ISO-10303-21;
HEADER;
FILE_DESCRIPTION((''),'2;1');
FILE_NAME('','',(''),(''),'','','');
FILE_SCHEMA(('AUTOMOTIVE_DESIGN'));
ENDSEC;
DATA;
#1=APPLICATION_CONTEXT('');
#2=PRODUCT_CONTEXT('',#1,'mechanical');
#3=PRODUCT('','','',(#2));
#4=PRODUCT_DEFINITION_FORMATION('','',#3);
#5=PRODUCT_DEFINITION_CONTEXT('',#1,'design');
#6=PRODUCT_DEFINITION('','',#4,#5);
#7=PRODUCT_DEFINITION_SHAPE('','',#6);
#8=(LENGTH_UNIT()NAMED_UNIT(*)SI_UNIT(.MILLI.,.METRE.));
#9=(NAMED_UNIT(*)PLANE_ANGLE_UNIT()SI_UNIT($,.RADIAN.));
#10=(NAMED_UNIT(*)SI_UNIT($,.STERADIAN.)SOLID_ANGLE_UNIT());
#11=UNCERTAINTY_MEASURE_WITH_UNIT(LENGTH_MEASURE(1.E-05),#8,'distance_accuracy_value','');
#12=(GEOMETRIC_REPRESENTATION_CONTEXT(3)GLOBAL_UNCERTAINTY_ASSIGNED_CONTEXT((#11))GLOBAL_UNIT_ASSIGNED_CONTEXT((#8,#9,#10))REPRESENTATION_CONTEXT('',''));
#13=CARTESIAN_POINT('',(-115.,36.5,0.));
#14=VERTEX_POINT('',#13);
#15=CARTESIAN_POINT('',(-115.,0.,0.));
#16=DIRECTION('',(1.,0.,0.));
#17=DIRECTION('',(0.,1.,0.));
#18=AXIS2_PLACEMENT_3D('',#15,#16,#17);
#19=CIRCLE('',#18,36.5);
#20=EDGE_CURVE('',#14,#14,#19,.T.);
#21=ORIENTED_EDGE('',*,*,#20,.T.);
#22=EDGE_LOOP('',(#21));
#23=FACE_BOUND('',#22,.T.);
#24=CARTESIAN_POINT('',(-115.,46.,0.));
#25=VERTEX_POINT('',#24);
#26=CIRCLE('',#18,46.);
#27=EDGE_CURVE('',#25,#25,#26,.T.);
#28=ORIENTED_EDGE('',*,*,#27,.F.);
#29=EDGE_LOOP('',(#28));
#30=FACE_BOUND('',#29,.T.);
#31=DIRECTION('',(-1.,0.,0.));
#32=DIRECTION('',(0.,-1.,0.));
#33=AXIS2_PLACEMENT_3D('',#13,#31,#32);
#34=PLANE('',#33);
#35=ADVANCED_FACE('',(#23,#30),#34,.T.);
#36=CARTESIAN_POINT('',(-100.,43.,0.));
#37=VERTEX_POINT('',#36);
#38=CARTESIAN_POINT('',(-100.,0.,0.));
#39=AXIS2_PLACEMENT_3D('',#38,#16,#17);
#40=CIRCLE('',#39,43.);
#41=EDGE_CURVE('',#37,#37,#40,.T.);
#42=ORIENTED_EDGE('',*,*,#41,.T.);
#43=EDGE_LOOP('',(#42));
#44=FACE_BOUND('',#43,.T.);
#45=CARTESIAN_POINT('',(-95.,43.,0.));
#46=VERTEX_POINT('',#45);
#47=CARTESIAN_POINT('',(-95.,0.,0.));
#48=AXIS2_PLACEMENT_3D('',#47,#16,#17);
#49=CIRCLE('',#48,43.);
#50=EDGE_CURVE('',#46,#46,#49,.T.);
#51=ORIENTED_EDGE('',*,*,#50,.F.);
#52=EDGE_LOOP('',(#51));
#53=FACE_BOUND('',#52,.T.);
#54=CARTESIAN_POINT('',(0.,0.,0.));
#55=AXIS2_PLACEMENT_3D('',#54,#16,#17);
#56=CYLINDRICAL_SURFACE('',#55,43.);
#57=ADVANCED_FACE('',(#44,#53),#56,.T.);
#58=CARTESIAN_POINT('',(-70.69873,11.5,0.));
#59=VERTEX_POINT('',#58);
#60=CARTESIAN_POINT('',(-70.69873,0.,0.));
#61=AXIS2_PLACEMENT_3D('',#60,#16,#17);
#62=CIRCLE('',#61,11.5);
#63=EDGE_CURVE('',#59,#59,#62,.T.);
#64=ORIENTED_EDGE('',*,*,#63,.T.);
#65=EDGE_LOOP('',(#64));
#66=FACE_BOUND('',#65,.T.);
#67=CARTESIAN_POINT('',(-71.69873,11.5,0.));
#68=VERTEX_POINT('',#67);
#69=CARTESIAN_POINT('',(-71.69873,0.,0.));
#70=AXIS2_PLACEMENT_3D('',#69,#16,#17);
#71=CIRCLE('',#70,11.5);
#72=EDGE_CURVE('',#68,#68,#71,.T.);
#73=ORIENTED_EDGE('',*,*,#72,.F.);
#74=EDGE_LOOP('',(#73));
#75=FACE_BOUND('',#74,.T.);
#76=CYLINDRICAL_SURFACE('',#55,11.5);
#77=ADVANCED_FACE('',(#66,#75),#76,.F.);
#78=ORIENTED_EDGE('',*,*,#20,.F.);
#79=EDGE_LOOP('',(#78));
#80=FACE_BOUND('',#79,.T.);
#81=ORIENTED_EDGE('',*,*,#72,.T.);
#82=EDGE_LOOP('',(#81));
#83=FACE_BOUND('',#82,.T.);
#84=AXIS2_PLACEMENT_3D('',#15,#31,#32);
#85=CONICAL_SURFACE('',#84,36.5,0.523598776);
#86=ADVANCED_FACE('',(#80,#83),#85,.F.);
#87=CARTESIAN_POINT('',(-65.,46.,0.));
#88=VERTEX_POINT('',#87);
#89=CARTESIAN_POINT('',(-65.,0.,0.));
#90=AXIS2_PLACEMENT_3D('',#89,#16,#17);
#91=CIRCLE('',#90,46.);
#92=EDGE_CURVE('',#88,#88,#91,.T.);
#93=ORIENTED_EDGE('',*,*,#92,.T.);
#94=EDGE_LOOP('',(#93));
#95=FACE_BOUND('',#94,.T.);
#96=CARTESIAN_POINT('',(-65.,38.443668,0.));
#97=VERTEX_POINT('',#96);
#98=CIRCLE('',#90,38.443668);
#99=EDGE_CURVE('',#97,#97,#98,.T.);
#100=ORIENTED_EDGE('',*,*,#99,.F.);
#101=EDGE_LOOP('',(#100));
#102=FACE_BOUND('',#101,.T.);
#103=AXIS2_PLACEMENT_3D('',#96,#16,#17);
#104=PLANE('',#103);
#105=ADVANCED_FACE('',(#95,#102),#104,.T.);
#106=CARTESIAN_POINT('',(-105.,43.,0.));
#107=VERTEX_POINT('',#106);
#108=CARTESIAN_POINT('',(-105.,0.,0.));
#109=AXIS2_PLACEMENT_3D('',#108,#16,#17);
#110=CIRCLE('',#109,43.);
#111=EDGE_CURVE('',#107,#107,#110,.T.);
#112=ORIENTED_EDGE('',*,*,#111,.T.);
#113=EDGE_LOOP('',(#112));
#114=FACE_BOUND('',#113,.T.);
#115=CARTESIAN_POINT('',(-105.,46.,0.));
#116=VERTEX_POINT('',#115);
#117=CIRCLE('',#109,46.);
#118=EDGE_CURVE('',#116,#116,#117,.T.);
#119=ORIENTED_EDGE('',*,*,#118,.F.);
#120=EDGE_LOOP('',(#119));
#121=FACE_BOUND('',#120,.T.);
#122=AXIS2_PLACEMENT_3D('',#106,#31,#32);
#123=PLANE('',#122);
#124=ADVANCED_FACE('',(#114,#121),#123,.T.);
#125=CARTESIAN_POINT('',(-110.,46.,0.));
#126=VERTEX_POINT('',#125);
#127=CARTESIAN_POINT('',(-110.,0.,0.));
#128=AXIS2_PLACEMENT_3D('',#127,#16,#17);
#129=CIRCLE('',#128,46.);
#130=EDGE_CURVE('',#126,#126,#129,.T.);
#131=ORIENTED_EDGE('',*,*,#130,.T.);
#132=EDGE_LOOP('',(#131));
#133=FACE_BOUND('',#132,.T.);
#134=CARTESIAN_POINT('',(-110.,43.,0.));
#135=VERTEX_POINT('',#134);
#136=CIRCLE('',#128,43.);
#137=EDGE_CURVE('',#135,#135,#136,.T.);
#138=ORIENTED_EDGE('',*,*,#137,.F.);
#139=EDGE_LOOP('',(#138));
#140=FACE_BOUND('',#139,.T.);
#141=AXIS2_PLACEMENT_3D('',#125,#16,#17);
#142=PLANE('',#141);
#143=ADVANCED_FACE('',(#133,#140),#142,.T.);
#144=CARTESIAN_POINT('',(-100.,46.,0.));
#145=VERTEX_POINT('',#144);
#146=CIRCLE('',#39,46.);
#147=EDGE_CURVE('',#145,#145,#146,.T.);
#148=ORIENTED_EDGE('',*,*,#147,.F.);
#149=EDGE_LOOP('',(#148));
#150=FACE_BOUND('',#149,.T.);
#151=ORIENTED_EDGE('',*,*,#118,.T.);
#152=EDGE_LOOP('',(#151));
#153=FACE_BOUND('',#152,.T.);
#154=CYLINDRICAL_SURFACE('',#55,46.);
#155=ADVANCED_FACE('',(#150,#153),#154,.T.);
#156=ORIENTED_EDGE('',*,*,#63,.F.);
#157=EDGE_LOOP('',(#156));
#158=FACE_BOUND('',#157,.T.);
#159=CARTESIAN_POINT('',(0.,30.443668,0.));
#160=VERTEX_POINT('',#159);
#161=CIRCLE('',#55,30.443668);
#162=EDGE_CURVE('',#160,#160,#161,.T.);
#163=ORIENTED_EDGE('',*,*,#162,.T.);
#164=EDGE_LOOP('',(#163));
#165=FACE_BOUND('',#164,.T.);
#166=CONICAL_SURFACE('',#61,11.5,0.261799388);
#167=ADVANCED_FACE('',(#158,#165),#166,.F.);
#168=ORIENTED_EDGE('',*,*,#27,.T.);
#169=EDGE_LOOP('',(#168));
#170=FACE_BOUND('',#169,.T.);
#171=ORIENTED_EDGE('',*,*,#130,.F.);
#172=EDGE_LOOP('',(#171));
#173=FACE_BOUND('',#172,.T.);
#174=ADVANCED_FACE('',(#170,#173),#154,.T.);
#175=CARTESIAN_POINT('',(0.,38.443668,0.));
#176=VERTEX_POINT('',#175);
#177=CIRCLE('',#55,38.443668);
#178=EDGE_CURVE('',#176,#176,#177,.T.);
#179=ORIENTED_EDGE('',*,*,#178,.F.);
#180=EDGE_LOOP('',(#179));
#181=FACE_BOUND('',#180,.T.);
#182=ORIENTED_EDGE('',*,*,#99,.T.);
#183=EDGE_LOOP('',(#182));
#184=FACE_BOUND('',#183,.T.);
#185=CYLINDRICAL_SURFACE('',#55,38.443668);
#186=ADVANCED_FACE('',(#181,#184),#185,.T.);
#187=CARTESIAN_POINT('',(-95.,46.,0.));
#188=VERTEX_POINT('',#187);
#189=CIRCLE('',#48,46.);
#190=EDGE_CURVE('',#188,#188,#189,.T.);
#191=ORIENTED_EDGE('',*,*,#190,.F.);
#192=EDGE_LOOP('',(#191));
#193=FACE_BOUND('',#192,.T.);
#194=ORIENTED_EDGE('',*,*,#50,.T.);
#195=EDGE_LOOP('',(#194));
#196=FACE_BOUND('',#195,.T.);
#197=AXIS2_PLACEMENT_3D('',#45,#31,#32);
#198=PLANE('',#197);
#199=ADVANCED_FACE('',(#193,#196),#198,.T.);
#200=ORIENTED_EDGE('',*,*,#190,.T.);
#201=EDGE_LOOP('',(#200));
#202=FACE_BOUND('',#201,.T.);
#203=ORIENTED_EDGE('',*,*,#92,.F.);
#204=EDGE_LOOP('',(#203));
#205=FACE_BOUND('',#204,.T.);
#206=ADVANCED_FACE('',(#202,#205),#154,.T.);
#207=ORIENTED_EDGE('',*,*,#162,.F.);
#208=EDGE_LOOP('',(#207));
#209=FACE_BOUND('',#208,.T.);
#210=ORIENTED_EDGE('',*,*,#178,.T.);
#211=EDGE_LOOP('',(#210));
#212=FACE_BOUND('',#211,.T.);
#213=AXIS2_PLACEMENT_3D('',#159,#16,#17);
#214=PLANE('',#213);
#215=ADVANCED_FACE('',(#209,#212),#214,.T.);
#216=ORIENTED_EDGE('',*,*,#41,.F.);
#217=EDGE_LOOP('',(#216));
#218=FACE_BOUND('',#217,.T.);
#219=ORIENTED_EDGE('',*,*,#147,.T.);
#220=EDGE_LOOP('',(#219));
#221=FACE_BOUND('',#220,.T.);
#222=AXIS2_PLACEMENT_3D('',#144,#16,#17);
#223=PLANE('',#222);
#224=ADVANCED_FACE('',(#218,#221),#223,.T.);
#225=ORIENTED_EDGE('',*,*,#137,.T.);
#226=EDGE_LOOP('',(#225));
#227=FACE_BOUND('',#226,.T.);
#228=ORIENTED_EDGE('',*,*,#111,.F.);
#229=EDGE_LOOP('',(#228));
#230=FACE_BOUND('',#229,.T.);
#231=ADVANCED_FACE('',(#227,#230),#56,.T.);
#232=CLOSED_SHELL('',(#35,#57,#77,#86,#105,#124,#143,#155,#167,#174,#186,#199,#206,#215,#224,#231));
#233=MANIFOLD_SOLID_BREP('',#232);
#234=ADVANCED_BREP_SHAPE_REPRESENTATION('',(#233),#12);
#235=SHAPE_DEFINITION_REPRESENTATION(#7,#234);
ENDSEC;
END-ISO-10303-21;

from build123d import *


with BuildPart() as part:
    # Sketch1 → Revolve1 (revolve)
    with BuildSketch(Plane.XY):
        Polygon((-115, 36.5), (-71.698729811, 11.5), (-70.698729811, 11.5), (0, 30.443667559), (0, 38.443667559), (-65, 38.443667559), (-65, 46), (-95, 46), (-95, 43), (-100, 43), (-100, 46), (-105, 46), (-105, 43), (-110, 43), (-110, 46), (-115, 46), align=None)
    revolve(axis=Axis((0, 0, 0), (-1, 0, 0)))


solid = part.part
